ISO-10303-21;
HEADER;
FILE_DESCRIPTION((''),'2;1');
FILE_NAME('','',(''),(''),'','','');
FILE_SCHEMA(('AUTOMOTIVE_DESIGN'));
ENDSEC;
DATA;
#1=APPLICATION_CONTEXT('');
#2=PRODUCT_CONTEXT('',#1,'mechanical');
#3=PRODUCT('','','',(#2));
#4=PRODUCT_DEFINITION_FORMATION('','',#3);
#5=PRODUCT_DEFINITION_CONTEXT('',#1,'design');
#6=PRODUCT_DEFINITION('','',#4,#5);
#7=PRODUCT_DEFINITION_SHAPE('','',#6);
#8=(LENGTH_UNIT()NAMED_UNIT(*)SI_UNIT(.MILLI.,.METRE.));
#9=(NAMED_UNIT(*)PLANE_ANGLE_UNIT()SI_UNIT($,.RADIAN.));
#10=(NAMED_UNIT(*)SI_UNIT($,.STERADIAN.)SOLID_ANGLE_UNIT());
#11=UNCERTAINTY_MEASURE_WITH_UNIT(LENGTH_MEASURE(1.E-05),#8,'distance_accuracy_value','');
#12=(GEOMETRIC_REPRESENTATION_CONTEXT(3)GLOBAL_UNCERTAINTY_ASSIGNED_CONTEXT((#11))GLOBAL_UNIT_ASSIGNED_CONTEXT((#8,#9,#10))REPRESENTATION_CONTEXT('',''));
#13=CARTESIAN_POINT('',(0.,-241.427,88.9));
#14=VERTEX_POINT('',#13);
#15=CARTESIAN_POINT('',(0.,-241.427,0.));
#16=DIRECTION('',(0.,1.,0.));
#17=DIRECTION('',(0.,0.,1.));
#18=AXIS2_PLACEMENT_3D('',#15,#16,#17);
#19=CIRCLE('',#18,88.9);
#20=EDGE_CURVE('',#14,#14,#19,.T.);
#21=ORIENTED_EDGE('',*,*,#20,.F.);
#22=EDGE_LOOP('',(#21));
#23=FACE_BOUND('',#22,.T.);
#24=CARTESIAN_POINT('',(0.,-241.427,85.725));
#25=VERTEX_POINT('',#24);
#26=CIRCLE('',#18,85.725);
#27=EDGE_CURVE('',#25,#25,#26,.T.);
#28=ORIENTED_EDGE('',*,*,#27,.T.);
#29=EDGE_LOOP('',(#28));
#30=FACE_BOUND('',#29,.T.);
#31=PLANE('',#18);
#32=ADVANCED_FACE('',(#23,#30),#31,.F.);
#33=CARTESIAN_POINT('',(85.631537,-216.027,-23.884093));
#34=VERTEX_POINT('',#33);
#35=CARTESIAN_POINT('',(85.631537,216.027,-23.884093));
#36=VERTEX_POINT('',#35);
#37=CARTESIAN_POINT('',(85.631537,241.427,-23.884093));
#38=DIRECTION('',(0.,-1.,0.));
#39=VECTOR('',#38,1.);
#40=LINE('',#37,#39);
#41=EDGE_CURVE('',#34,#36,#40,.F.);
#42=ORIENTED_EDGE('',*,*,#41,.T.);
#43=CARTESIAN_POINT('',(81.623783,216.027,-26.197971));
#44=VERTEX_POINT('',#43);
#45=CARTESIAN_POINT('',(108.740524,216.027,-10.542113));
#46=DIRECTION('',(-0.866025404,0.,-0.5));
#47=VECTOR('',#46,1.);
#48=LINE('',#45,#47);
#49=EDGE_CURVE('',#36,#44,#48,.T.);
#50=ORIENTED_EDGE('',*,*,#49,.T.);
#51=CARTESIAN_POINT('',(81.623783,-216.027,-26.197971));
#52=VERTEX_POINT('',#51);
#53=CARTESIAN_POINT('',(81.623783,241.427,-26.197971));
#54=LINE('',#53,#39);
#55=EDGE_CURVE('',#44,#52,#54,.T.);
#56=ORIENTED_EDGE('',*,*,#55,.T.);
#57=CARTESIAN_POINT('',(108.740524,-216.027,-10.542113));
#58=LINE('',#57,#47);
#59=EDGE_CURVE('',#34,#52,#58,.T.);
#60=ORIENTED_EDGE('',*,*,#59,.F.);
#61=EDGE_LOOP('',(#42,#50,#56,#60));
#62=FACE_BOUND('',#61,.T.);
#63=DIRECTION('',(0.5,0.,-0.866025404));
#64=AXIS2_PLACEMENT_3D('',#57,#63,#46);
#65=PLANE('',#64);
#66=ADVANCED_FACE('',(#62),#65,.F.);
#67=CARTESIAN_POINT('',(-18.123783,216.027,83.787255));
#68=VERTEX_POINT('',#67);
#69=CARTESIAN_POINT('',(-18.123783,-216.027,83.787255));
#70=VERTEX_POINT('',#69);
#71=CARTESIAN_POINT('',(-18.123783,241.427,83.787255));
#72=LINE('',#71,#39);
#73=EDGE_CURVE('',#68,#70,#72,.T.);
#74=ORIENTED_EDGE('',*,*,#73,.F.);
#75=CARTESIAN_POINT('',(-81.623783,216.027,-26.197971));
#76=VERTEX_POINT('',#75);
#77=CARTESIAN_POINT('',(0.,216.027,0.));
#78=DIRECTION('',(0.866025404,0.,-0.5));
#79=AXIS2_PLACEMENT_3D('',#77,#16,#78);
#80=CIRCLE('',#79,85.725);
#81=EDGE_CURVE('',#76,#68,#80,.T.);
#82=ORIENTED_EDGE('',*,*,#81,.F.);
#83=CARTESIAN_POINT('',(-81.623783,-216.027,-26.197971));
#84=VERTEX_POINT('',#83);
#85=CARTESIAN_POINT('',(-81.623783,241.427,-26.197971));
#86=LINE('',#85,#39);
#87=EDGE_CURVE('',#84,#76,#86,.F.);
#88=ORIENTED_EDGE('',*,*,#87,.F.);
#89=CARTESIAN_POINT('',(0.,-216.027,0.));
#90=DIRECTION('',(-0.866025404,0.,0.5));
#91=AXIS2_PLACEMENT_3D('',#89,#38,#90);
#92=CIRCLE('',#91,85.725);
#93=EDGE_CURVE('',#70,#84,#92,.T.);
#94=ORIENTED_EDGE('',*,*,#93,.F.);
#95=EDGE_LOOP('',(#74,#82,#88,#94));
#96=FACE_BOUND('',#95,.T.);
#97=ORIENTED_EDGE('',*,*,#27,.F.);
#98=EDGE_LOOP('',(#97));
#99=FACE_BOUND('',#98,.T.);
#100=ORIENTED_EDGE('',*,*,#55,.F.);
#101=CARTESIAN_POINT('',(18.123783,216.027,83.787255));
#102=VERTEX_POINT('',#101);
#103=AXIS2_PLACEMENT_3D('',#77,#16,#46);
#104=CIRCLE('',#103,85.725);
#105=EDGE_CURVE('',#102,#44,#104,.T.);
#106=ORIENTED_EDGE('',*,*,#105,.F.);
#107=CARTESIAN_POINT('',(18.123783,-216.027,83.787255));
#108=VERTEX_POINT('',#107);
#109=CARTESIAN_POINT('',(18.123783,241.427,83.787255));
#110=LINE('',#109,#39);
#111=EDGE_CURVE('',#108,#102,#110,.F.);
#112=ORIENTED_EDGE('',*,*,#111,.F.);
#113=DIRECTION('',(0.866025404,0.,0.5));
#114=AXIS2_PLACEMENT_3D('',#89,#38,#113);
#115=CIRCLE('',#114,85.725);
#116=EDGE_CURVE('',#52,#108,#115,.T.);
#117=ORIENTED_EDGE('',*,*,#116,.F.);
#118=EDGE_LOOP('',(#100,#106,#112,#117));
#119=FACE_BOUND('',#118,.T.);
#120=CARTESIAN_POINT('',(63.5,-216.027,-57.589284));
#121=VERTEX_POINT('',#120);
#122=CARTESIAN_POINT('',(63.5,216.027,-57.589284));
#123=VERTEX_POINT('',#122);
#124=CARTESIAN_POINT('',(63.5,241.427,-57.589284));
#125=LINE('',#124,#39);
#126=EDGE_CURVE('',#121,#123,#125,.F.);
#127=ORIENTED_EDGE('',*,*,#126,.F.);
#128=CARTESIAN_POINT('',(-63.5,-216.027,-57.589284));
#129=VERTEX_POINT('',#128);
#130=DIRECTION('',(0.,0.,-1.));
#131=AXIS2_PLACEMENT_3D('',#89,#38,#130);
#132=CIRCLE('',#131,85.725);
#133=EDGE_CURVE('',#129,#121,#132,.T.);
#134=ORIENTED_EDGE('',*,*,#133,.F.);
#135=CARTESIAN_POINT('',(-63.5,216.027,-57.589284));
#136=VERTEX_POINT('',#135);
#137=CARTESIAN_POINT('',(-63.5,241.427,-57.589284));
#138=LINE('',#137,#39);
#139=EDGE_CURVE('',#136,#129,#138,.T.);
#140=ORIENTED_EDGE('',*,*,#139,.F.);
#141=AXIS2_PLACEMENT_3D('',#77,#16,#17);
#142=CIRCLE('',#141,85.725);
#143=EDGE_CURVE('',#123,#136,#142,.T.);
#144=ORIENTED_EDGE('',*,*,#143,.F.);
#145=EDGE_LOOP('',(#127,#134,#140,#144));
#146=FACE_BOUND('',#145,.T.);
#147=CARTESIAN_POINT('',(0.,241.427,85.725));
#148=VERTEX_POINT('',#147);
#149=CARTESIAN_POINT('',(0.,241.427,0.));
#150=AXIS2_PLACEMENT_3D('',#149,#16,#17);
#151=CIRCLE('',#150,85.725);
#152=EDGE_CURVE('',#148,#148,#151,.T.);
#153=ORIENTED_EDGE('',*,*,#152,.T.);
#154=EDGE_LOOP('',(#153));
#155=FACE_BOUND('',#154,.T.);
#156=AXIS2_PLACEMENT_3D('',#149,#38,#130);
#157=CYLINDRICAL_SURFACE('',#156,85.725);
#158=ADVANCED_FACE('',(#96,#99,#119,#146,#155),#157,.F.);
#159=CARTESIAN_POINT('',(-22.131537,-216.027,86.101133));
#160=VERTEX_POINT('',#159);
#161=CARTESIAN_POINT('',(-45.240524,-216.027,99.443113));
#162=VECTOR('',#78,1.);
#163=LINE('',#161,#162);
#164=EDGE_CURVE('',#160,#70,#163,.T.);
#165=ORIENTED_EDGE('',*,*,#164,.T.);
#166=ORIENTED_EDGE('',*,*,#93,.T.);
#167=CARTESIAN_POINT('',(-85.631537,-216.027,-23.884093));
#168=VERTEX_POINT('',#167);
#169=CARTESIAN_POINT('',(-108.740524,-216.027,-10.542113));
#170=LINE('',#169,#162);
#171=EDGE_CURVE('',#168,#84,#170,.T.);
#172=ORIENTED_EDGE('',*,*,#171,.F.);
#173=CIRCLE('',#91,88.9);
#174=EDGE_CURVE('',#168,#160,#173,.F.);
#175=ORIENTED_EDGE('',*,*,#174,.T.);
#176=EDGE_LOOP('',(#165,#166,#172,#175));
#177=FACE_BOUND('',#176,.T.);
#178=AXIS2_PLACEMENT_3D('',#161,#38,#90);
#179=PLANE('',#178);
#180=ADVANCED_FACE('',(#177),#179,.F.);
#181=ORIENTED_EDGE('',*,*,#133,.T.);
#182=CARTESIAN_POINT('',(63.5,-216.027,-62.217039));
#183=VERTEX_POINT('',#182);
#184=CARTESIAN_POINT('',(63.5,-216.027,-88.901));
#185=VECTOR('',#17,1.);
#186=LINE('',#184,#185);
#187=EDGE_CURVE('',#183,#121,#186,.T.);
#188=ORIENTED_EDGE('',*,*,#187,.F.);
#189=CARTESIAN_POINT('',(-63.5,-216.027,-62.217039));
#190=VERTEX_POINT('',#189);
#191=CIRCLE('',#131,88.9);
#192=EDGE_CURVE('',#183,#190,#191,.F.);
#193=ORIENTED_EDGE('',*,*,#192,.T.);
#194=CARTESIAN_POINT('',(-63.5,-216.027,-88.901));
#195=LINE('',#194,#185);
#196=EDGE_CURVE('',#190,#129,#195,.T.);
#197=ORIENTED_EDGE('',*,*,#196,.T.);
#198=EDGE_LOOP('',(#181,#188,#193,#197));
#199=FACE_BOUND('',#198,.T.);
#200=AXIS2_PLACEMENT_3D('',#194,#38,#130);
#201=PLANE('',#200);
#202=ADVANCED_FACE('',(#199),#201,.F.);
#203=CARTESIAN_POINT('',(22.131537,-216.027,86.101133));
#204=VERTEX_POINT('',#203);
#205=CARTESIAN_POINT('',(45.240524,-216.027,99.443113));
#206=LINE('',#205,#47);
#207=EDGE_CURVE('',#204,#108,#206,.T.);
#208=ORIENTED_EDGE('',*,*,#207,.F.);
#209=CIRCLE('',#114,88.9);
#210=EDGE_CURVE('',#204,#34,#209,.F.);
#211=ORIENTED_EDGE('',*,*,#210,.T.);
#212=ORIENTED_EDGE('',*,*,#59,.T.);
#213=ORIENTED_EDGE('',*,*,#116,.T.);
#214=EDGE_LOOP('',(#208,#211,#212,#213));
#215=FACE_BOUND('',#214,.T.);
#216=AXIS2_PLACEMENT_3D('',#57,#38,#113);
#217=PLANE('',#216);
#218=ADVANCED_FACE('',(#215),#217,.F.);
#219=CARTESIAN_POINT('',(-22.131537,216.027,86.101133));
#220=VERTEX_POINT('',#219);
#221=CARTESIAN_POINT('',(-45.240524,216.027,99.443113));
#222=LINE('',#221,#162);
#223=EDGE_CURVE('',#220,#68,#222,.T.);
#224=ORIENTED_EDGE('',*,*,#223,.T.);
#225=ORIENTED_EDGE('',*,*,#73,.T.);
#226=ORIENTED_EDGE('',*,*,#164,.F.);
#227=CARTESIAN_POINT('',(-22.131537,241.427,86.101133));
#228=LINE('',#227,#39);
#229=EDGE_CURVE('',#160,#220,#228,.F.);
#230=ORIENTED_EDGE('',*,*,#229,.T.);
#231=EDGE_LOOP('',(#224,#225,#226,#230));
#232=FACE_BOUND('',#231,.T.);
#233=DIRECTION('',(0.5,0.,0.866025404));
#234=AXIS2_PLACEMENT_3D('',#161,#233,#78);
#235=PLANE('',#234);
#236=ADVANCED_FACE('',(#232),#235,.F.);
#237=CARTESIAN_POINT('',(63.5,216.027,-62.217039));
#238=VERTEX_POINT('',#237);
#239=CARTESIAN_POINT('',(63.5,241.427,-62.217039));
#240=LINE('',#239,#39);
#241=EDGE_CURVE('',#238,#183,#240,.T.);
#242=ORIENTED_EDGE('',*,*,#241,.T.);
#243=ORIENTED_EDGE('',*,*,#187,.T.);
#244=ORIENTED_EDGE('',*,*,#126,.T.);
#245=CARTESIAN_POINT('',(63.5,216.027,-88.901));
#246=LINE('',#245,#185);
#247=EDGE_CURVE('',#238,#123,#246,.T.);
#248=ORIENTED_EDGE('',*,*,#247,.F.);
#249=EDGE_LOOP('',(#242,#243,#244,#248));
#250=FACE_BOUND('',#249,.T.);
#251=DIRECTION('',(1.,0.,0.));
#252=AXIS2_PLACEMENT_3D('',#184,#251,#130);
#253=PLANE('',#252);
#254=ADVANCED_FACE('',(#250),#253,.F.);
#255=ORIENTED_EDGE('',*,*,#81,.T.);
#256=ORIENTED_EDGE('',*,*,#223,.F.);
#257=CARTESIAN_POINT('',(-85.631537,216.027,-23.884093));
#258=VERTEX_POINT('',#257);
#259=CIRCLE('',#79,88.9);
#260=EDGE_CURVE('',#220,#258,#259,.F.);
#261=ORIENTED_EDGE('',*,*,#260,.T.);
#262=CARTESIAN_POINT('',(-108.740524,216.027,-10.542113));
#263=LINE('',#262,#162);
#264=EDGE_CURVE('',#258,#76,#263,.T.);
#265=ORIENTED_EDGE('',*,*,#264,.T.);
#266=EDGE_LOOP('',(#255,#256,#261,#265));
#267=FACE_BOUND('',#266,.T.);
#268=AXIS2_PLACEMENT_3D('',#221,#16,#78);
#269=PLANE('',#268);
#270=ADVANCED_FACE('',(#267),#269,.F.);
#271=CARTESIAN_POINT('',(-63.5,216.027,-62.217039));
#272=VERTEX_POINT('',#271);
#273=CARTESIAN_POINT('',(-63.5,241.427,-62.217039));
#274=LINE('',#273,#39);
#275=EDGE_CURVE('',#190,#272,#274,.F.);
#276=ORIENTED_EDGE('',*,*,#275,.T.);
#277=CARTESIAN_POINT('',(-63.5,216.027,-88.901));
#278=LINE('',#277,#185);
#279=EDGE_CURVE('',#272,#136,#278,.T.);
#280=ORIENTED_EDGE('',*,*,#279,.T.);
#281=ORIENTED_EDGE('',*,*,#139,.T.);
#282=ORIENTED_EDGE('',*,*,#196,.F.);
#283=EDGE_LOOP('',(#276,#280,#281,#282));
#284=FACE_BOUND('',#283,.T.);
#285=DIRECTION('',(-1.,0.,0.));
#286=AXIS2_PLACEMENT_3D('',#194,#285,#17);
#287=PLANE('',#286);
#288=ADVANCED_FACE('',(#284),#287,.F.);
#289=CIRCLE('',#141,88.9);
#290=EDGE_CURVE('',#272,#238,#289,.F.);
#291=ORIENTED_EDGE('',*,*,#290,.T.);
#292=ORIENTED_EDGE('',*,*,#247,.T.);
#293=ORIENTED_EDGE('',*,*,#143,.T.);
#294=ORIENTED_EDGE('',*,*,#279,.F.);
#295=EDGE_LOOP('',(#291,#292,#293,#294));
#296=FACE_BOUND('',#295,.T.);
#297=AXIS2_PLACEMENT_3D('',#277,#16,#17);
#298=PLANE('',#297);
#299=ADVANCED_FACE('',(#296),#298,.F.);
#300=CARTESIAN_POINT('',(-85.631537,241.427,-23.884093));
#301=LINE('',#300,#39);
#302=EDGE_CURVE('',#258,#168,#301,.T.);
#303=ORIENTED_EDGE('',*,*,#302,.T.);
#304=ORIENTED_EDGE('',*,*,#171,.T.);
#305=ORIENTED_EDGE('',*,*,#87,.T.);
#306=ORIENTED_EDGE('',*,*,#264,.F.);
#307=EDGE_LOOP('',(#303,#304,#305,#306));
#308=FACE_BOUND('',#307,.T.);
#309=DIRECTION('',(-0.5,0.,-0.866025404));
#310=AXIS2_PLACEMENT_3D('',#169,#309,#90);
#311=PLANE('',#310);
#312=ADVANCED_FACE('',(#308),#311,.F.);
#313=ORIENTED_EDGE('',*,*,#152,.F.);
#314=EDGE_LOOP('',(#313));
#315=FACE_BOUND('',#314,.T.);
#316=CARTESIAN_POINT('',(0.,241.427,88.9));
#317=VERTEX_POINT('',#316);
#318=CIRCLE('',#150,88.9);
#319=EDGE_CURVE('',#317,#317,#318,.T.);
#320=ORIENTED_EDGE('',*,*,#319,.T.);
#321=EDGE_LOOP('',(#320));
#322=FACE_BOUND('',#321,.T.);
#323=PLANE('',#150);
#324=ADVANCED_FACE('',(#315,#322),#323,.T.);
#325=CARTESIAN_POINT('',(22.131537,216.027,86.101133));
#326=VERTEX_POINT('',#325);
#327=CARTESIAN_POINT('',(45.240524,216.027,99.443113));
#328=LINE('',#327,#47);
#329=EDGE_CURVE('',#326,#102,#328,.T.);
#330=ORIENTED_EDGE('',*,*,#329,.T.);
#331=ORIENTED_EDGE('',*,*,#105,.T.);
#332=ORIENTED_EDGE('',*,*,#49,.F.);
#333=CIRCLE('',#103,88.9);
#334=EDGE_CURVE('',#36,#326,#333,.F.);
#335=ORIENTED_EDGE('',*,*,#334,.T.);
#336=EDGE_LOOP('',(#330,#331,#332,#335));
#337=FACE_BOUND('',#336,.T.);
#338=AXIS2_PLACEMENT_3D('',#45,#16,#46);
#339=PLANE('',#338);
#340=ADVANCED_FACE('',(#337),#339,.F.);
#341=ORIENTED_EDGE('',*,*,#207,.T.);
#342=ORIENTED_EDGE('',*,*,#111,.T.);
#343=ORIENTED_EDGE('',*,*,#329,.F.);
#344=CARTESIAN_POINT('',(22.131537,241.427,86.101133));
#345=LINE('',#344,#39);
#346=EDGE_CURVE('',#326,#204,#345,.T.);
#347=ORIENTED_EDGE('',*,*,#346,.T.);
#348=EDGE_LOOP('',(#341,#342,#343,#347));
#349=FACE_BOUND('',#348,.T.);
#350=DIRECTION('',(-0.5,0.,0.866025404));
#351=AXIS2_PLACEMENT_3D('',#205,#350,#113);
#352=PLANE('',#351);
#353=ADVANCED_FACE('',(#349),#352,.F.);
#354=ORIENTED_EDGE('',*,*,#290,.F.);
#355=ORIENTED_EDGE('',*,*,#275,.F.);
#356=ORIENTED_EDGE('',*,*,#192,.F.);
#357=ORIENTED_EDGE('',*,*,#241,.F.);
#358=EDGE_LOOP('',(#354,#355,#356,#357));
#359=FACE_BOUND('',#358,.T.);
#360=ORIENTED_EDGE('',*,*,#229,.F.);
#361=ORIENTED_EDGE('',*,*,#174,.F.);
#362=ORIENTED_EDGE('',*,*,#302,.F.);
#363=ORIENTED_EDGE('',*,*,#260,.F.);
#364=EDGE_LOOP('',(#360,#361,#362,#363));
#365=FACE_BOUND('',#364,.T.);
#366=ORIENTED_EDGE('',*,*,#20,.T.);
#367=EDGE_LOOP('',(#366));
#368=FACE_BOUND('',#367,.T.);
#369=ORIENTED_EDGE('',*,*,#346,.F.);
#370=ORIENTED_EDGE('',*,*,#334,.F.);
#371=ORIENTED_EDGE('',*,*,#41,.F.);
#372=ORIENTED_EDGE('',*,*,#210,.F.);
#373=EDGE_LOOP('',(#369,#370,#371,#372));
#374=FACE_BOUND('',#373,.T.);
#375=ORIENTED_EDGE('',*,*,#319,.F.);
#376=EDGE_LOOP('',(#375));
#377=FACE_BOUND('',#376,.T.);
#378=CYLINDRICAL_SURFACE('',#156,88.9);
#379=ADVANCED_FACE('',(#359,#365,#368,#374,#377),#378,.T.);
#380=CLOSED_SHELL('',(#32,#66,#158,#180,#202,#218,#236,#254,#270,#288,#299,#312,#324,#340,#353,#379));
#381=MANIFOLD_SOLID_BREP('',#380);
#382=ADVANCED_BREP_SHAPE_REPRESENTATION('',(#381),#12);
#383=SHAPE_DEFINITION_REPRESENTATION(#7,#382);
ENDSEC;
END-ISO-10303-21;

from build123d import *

# Parameters (mm, degrees)
SKETCH1_R               = 88.9
SKETCH1_R_2             = 85.725
BOSS_EXTRUDE1_DEPTH     = 241.427
CUT_EXTRUDE1_REACH      = 274.201
CUT_EXTRUDE1_END_RADIUS = 88.9
SKETCH2_W               = 127
SKETCH2_H               = 432.054
CIRPATTERN1_COUNT       = 3


with BuildPart() as part:
    # Sketch1 → Boss-Extrude1 (new, symmetric)
    with BuildSketch(Plane(origin=(0, 0, 0), x_dir=(1, 0, 0), z_dir=(0, 1, 0))):
        with Locations(Location((0, 0, 0), (0, 0, 270))):
            Circle(SKETCH1_R)
        with Locations(Location((0, 0, 0), (0, 0, 270))):
            Circle(SKETCH1_R_2, mode=Mode.SUBTRACT)
    extrude(amount=BOSS_EXTRUDE1_DEPTH, both=True)

    # Cut-Extrude1: up to this cylinder (the profile starts inside it)
    cut_extrude1_end = Plane(origin=(0, 0, 0), z_dir=(0, -1, 0)) * Cylinder(CUT_EXTRUDE1_END_RADIUS, 727.202, mode=Mode.PRIVATE)
    # Sketch2 → Cut-Extrude1 (cut, up to the surface)
    with BuildSketch(Plane.XY, mode=Mode.PRIVATE) as cut_extrude1_sk1:
        Rectangle(SKETCH2_W, SKETCH2_H)
    cut_extrude1_tool1 = extrude(cut_extrude1_sk1.sketch, amount=-CUT_EXTRUDE1_REACH, mode=Mode.PRIVATE) & cut_extrude1_end
    cut_extrude1 = cut_extrude1_tool1.solids().sort_by_distance((0, 0, 0))[0]
    add(cut_extrude1, mode=Mode.SUBTRACT)

    # CirPattern1: Cut-Extrude1 ×3 about axis
    cirpattern1_axis = Axis((0, 0, 0), (0, 1, 0))
    for i in range(1, CIRPATTERN1_COUNT):
        add(cut_extrude1.rotate(cirpattern1_axis, i * 360 / CIRPATTERN1_COUNT), mode=Mode.SUBTRACT)


solid = part.part
